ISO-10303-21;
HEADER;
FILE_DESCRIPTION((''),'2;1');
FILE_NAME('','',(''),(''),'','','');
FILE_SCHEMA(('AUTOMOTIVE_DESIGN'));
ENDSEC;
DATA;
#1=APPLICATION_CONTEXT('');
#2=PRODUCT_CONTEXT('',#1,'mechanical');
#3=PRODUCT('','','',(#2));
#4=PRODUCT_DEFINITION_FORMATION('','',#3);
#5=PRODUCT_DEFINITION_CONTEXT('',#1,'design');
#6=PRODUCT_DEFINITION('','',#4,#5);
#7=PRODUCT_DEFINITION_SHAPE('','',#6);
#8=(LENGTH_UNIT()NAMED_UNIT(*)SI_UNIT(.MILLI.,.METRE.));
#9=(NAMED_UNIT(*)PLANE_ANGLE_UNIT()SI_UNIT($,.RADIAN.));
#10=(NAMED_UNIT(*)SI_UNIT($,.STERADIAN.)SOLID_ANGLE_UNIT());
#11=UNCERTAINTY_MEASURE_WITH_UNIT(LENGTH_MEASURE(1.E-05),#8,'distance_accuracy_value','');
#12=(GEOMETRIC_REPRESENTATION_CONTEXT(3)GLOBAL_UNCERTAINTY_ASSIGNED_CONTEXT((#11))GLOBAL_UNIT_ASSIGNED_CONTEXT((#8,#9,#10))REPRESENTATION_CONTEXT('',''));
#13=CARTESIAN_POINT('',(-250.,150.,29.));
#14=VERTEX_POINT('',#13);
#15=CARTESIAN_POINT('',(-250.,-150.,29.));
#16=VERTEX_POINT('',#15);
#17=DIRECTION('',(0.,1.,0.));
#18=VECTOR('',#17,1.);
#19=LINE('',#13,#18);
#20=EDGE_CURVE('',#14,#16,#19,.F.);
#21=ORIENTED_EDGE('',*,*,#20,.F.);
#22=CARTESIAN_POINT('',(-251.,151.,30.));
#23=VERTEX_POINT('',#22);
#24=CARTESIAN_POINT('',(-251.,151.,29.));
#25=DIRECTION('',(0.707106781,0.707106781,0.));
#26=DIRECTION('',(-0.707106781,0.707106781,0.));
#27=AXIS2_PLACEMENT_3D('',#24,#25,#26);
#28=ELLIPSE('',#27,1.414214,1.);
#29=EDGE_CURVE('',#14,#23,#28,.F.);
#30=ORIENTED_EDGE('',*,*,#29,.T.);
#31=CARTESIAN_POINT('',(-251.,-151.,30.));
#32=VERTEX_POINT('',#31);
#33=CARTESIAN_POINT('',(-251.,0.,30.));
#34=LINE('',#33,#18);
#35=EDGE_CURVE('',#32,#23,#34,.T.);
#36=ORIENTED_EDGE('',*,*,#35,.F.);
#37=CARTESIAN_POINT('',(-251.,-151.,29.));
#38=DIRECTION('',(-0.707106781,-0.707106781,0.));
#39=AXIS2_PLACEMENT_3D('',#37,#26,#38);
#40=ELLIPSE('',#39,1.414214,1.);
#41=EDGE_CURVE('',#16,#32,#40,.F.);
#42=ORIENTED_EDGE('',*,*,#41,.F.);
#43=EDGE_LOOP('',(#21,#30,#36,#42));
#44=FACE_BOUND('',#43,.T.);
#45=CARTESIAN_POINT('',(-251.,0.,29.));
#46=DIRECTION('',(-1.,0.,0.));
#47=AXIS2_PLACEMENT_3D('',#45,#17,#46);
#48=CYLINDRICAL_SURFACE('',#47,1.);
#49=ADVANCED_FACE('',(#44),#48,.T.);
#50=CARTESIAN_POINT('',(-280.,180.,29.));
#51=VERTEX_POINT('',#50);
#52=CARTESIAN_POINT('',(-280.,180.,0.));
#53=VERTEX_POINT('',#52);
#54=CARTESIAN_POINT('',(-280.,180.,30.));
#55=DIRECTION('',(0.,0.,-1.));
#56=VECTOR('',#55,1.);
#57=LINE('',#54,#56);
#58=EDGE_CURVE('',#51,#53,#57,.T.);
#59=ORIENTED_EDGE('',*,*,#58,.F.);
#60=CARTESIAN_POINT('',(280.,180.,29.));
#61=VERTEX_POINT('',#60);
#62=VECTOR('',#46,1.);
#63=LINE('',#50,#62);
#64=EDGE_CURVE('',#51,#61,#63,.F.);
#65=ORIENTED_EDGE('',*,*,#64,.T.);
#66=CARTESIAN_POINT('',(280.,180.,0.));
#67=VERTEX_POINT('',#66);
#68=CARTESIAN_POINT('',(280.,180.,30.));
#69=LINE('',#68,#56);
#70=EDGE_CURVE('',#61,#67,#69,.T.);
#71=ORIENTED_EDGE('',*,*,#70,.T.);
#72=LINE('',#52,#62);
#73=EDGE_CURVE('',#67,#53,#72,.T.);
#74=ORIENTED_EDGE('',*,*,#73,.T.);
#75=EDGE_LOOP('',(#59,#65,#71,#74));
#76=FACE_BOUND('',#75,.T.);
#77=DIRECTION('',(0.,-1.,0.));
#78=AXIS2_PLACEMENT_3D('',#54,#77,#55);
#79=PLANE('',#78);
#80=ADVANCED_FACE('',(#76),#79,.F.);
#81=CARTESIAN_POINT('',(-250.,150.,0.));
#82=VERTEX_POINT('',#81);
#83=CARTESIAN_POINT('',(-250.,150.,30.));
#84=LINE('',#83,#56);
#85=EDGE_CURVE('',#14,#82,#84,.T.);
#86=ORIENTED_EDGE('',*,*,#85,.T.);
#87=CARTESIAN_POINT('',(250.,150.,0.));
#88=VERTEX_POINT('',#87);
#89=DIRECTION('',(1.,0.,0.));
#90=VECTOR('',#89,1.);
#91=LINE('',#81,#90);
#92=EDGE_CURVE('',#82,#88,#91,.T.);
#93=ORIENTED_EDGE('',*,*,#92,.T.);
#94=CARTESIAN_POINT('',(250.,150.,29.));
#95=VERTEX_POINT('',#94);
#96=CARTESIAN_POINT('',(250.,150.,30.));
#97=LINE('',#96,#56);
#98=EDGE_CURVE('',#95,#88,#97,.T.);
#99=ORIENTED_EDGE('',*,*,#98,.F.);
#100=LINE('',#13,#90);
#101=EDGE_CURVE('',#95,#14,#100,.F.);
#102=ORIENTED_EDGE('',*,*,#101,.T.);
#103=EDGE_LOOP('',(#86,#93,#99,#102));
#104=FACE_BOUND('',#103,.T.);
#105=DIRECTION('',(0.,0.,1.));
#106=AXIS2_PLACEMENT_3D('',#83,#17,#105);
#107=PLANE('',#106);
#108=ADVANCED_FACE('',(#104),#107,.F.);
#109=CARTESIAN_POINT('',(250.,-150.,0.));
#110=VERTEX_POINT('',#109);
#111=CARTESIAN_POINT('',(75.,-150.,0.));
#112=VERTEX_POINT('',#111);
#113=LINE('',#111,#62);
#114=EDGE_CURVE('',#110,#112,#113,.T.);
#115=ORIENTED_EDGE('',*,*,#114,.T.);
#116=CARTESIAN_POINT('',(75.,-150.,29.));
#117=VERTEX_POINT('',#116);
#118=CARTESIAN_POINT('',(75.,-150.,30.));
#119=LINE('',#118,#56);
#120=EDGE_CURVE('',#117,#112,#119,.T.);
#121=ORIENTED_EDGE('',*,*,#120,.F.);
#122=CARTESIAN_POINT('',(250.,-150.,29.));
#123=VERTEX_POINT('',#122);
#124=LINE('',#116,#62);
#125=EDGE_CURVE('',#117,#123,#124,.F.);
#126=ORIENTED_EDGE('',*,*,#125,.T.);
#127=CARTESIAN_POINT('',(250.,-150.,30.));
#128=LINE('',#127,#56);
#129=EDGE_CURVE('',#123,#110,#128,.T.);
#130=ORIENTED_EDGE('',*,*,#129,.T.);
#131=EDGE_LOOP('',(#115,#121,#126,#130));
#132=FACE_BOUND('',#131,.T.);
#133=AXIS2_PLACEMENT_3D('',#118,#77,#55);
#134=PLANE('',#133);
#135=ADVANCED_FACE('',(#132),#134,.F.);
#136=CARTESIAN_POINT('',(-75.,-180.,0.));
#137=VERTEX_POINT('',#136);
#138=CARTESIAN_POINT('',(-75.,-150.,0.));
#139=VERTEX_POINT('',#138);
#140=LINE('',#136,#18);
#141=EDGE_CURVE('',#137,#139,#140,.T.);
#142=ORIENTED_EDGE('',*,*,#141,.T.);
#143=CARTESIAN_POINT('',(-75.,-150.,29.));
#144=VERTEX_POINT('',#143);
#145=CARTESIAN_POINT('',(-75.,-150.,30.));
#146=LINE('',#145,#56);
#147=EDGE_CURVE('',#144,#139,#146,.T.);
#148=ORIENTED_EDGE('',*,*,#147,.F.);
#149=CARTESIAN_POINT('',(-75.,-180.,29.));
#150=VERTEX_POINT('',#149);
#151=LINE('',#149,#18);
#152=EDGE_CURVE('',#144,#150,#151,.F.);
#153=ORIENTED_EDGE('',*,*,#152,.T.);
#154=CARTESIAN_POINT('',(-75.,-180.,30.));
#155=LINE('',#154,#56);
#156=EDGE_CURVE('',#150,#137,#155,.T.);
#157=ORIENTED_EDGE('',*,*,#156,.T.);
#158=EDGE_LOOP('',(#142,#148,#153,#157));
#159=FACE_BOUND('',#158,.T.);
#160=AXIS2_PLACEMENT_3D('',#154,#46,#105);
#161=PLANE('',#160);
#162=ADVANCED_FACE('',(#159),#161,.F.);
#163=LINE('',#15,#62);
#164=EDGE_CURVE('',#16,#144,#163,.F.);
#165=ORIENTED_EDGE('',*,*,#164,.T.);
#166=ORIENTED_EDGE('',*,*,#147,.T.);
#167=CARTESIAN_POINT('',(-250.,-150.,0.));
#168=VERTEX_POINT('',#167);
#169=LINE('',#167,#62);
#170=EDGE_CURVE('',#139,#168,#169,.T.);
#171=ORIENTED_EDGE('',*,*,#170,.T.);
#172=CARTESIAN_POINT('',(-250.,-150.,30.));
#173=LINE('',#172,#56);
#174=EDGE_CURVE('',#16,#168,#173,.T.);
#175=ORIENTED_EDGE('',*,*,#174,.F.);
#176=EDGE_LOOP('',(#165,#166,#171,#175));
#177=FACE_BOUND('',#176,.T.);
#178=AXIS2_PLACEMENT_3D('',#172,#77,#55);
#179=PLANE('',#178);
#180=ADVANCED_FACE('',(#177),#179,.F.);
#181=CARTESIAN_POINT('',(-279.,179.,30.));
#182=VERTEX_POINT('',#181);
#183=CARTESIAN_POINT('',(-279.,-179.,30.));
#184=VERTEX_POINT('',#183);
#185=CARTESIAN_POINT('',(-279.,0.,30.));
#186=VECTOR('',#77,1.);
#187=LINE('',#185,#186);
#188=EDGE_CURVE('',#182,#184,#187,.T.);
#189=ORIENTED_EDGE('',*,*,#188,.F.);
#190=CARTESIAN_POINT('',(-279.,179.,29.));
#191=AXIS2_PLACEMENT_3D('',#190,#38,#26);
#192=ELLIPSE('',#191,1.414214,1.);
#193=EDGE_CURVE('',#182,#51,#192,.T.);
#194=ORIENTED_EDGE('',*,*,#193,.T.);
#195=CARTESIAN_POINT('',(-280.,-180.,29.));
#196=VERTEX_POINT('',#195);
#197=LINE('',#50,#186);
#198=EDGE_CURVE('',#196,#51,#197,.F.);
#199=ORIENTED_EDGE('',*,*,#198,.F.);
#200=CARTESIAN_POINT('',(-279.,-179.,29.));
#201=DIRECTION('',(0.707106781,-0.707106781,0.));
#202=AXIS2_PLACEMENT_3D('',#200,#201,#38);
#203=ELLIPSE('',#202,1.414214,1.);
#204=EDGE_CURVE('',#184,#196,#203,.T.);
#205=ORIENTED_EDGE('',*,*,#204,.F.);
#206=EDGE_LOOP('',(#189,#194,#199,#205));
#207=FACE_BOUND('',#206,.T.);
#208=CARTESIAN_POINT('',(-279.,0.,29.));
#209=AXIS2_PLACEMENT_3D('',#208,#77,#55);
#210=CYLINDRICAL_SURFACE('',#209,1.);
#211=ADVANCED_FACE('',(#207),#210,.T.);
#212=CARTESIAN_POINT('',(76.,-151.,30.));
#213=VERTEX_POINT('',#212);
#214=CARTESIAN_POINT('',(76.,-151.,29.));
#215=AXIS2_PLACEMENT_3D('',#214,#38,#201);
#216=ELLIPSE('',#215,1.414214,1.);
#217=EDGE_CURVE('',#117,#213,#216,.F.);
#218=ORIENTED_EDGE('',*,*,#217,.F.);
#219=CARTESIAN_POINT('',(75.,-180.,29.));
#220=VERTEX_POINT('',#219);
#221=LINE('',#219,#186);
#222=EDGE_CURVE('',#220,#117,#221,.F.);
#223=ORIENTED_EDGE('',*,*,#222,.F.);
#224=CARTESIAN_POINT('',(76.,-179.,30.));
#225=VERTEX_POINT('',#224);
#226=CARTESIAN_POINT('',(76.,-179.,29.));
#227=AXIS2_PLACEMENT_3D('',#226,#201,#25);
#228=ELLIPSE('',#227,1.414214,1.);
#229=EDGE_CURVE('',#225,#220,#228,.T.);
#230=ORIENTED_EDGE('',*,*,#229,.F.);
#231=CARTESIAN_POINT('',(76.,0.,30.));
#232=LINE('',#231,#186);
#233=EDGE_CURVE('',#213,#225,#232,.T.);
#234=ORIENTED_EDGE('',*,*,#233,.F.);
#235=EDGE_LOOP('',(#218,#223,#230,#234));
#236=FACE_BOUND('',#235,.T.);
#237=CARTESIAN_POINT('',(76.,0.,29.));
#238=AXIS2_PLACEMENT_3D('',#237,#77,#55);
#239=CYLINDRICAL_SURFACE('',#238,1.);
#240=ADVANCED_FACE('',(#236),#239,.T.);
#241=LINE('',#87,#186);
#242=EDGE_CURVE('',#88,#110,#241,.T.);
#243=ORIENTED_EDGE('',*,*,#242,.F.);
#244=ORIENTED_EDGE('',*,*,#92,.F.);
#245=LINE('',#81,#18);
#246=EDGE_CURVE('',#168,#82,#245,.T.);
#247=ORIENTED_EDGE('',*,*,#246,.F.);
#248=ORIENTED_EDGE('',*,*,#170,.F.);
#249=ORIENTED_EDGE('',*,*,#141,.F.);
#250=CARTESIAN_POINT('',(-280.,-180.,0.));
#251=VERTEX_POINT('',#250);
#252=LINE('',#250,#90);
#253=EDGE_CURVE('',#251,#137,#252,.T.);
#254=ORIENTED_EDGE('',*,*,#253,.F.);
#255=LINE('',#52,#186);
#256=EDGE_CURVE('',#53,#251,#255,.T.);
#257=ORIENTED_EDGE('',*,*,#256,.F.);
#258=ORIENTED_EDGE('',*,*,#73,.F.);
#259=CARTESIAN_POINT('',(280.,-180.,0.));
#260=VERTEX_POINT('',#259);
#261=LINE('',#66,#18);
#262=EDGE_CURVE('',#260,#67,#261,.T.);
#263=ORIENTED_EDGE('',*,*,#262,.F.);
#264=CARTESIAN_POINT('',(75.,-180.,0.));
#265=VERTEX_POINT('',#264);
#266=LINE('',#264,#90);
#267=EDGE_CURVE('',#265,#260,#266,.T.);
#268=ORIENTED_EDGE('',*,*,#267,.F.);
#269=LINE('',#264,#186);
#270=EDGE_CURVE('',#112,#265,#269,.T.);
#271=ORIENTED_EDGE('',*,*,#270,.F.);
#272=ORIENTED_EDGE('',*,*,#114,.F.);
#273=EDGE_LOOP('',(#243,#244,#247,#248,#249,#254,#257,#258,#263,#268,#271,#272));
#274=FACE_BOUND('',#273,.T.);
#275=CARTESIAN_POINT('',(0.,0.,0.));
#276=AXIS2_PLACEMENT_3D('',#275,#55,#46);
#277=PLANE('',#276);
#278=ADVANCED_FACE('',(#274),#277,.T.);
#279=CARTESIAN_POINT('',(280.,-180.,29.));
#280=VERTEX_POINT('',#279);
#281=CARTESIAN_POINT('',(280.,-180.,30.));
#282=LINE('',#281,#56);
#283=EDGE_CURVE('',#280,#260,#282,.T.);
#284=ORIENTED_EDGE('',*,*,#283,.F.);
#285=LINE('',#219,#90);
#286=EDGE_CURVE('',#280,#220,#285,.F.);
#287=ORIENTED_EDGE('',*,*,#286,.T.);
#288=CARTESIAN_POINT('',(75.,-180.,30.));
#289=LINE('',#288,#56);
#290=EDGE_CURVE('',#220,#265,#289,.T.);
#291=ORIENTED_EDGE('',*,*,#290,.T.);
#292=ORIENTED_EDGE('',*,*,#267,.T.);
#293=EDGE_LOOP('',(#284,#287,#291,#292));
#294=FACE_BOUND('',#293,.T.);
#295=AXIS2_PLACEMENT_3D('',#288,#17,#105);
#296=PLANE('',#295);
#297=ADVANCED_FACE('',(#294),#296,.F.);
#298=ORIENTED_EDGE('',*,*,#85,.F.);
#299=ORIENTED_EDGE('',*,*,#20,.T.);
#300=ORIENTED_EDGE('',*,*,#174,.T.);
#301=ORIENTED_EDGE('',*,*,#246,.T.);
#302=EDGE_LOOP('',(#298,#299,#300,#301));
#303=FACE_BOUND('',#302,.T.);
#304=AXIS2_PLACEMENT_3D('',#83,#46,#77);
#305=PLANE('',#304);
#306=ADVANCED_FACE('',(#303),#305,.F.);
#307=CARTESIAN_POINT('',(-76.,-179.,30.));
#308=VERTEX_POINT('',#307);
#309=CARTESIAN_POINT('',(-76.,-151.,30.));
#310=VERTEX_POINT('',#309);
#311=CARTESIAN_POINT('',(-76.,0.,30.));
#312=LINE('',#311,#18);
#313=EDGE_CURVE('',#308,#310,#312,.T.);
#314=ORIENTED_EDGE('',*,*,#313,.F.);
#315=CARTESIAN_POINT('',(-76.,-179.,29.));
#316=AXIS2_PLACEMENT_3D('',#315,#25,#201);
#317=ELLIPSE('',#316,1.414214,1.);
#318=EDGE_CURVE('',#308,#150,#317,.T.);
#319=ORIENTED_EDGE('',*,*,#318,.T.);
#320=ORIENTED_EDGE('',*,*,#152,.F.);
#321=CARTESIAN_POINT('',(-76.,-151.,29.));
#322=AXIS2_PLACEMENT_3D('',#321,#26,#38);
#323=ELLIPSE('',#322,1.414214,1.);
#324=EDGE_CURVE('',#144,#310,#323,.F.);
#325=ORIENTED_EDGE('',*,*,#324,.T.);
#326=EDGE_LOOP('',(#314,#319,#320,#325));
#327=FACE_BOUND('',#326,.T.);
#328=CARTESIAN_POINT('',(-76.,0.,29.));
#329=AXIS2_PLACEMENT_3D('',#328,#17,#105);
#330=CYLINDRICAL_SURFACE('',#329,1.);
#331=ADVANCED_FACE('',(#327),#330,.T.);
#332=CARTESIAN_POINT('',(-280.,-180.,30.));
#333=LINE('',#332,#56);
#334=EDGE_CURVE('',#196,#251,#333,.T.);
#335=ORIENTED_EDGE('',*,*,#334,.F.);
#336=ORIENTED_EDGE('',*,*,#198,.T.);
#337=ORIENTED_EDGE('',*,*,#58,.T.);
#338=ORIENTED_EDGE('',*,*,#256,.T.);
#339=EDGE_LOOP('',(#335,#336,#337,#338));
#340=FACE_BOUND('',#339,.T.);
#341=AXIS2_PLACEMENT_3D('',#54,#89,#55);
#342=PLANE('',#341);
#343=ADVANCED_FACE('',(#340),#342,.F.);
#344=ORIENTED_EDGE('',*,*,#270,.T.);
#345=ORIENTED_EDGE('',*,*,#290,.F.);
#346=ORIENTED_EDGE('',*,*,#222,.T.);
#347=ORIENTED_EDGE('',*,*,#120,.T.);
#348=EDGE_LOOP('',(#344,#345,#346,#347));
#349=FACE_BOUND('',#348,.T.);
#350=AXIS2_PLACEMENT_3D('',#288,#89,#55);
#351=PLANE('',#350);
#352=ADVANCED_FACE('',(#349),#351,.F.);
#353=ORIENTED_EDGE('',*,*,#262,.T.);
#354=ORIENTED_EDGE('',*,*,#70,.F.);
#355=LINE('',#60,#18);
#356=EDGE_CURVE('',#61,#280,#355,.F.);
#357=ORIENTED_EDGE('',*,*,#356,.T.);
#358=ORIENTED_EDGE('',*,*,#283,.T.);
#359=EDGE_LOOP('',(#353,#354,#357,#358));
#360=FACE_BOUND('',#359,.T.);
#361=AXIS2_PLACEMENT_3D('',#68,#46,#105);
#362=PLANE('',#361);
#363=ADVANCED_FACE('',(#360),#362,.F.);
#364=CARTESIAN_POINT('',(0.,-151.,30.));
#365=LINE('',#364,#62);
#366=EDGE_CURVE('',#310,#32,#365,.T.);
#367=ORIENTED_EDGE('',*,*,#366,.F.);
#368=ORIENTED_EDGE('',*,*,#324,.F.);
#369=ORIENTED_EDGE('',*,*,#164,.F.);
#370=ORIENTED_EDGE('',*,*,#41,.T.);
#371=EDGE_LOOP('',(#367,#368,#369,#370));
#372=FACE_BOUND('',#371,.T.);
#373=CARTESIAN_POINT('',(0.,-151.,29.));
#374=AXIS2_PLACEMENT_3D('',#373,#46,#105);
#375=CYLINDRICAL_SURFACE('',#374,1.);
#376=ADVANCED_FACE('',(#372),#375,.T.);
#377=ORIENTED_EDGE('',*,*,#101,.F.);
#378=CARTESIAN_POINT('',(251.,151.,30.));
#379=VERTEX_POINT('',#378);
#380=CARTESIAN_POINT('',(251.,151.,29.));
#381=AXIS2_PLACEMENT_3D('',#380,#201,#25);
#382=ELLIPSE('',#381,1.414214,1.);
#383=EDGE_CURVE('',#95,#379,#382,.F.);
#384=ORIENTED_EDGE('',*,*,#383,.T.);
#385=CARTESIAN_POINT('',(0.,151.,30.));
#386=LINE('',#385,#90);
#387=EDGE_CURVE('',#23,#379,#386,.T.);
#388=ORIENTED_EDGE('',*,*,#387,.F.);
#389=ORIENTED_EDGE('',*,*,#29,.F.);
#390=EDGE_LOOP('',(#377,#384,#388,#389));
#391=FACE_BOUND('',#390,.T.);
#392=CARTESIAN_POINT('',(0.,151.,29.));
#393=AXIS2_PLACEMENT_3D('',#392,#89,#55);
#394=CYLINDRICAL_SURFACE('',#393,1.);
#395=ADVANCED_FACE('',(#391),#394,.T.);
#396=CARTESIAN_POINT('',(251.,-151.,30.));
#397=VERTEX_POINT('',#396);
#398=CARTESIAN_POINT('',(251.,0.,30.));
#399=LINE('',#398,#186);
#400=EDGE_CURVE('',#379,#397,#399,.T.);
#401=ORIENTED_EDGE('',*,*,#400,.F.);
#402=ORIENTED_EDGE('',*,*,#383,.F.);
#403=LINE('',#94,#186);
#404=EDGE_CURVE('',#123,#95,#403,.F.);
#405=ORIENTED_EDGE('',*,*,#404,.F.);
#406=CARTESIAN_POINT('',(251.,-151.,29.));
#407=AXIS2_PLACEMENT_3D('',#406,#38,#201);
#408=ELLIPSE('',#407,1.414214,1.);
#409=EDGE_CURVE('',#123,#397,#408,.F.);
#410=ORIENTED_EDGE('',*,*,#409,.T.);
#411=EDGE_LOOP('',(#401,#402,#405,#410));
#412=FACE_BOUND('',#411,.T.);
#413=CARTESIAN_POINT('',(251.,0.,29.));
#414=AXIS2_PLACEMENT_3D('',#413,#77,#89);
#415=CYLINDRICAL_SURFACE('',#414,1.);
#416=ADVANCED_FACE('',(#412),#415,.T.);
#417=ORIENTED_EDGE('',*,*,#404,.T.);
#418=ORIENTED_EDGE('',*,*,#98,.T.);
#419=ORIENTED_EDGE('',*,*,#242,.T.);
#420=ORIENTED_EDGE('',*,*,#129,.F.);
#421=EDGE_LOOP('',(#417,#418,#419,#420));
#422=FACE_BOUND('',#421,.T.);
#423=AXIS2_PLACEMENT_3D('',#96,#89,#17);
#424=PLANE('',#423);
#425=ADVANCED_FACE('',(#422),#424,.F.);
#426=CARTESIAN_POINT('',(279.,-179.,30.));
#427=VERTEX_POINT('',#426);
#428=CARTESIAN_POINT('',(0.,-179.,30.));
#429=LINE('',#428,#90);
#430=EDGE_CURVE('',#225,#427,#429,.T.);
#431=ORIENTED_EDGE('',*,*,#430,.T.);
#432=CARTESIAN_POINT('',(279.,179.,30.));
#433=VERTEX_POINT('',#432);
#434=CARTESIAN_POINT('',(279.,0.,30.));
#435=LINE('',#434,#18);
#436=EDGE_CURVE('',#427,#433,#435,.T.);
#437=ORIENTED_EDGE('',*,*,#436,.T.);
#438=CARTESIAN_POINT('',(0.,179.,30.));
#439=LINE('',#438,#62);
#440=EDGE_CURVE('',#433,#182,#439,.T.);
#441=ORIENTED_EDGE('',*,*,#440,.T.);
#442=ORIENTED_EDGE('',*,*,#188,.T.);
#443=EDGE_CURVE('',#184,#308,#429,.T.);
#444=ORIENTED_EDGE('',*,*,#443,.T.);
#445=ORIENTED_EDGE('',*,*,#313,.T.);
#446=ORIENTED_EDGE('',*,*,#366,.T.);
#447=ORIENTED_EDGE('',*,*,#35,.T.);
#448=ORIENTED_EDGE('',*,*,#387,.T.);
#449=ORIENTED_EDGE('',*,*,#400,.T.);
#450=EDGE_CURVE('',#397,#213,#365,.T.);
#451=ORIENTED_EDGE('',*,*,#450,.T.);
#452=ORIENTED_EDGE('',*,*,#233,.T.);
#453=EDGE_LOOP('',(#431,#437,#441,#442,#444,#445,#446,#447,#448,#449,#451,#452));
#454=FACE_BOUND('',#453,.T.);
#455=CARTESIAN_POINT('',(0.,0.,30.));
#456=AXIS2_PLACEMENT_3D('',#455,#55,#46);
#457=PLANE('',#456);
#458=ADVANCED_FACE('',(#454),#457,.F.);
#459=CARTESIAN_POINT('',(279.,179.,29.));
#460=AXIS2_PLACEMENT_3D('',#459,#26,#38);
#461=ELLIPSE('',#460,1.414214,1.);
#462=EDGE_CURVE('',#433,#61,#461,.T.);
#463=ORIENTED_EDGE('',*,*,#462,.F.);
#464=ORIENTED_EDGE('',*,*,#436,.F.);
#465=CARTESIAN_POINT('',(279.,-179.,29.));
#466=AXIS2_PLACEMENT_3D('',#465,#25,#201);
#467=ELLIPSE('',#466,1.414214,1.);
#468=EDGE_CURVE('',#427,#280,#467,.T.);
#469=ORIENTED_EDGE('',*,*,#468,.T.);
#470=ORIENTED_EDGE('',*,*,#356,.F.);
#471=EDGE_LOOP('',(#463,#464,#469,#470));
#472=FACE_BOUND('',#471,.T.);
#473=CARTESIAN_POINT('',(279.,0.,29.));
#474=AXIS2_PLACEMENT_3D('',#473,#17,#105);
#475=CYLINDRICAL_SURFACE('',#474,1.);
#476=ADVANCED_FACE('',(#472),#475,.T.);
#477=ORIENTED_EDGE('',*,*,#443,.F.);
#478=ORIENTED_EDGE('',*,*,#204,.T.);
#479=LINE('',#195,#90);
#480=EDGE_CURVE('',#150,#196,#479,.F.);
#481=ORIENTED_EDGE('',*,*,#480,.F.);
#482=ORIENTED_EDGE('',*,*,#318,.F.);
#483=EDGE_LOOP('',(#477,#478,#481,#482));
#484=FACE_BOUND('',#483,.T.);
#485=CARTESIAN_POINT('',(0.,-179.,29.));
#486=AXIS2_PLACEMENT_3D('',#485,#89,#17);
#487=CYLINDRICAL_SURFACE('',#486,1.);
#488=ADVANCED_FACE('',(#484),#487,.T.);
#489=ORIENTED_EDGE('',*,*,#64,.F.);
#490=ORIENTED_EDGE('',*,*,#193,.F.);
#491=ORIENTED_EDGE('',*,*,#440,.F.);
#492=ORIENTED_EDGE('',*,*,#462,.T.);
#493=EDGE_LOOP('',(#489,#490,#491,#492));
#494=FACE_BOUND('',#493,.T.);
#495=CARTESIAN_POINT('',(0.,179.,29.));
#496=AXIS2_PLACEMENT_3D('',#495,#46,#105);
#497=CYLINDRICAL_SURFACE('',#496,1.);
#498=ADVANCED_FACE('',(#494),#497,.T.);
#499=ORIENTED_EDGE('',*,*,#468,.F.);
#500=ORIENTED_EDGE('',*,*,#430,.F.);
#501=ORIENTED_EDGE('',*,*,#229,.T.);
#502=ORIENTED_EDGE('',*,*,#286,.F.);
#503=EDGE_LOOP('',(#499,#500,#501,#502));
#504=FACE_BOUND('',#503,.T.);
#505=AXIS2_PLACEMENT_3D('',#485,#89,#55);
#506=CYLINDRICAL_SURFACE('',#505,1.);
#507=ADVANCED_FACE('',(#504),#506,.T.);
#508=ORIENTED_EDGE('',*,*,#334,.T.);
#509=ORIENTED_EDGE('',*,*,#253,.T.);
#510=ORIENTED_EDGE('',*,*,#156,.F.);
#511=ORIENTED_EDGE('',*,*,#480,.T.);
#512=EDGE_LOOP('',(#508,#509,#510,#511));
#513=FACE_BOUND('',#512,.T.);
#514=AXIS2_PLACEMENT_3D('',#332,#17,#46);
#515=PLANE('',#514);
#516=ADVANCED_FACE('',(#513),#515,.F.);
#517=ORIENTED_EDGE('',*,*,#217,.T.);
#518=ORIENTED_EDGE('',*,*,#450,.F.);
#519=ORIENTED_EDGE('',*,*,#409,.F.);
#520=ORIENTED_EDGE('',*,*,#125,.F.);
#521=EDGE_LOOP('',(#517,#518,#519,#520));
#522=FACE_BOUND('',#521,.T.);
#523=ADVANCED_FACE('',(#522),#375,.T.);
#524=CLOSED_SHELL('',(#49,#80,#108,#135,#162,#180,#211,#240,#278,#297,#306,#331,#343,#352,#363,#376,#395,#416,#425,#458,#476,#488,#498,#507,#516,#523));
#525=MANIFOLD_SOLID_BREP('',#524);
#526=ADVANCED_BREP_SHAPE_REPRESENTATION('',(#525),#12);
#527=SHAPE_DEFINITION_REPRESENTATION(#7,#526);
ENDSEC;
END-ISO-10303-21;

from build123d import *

# Parameters (mm, degrees)
SALIENTE_EXTRUIR1_DEPTH = 30
REDONDEO1_R             = 1


with BuildPart() as part:
    # Croquis1 → Saliente-Extruir1 (new body)
    with BuildSketch(Plane.XY):
        Polygon((-280, 180), (280, 180), (280, -180), (75, -180), (75, -150), (250, -150), (250, 150), (-250, 150), (-250, -150), (-75, -150), (-75, -180), (-280, -180), align=None)
    extrude(amount=SALIENTE_EXTRUIR1_DEPTH)

    # Redondeo1
    redondeo1_edges = [part.edges().sort_by_distance(p)[0] for p in [
        (177.5, -180, 30),
        (280, 0, 30),
        (0, 180, 30),
        (-280, 0, 30),
        (-177.5, -180, 30),
        (-75, -165, 30),
        (-162.5, -150, 30),
        (-250, 0, 30),
        (0, 150, 30),
        (250, 0, 30),
        (162.5, -150, 30),
        (75, -165, 30),
    ]]
    fillet(redondeo1_edges, radius=REDONDEO1_R)


solid = part.part
